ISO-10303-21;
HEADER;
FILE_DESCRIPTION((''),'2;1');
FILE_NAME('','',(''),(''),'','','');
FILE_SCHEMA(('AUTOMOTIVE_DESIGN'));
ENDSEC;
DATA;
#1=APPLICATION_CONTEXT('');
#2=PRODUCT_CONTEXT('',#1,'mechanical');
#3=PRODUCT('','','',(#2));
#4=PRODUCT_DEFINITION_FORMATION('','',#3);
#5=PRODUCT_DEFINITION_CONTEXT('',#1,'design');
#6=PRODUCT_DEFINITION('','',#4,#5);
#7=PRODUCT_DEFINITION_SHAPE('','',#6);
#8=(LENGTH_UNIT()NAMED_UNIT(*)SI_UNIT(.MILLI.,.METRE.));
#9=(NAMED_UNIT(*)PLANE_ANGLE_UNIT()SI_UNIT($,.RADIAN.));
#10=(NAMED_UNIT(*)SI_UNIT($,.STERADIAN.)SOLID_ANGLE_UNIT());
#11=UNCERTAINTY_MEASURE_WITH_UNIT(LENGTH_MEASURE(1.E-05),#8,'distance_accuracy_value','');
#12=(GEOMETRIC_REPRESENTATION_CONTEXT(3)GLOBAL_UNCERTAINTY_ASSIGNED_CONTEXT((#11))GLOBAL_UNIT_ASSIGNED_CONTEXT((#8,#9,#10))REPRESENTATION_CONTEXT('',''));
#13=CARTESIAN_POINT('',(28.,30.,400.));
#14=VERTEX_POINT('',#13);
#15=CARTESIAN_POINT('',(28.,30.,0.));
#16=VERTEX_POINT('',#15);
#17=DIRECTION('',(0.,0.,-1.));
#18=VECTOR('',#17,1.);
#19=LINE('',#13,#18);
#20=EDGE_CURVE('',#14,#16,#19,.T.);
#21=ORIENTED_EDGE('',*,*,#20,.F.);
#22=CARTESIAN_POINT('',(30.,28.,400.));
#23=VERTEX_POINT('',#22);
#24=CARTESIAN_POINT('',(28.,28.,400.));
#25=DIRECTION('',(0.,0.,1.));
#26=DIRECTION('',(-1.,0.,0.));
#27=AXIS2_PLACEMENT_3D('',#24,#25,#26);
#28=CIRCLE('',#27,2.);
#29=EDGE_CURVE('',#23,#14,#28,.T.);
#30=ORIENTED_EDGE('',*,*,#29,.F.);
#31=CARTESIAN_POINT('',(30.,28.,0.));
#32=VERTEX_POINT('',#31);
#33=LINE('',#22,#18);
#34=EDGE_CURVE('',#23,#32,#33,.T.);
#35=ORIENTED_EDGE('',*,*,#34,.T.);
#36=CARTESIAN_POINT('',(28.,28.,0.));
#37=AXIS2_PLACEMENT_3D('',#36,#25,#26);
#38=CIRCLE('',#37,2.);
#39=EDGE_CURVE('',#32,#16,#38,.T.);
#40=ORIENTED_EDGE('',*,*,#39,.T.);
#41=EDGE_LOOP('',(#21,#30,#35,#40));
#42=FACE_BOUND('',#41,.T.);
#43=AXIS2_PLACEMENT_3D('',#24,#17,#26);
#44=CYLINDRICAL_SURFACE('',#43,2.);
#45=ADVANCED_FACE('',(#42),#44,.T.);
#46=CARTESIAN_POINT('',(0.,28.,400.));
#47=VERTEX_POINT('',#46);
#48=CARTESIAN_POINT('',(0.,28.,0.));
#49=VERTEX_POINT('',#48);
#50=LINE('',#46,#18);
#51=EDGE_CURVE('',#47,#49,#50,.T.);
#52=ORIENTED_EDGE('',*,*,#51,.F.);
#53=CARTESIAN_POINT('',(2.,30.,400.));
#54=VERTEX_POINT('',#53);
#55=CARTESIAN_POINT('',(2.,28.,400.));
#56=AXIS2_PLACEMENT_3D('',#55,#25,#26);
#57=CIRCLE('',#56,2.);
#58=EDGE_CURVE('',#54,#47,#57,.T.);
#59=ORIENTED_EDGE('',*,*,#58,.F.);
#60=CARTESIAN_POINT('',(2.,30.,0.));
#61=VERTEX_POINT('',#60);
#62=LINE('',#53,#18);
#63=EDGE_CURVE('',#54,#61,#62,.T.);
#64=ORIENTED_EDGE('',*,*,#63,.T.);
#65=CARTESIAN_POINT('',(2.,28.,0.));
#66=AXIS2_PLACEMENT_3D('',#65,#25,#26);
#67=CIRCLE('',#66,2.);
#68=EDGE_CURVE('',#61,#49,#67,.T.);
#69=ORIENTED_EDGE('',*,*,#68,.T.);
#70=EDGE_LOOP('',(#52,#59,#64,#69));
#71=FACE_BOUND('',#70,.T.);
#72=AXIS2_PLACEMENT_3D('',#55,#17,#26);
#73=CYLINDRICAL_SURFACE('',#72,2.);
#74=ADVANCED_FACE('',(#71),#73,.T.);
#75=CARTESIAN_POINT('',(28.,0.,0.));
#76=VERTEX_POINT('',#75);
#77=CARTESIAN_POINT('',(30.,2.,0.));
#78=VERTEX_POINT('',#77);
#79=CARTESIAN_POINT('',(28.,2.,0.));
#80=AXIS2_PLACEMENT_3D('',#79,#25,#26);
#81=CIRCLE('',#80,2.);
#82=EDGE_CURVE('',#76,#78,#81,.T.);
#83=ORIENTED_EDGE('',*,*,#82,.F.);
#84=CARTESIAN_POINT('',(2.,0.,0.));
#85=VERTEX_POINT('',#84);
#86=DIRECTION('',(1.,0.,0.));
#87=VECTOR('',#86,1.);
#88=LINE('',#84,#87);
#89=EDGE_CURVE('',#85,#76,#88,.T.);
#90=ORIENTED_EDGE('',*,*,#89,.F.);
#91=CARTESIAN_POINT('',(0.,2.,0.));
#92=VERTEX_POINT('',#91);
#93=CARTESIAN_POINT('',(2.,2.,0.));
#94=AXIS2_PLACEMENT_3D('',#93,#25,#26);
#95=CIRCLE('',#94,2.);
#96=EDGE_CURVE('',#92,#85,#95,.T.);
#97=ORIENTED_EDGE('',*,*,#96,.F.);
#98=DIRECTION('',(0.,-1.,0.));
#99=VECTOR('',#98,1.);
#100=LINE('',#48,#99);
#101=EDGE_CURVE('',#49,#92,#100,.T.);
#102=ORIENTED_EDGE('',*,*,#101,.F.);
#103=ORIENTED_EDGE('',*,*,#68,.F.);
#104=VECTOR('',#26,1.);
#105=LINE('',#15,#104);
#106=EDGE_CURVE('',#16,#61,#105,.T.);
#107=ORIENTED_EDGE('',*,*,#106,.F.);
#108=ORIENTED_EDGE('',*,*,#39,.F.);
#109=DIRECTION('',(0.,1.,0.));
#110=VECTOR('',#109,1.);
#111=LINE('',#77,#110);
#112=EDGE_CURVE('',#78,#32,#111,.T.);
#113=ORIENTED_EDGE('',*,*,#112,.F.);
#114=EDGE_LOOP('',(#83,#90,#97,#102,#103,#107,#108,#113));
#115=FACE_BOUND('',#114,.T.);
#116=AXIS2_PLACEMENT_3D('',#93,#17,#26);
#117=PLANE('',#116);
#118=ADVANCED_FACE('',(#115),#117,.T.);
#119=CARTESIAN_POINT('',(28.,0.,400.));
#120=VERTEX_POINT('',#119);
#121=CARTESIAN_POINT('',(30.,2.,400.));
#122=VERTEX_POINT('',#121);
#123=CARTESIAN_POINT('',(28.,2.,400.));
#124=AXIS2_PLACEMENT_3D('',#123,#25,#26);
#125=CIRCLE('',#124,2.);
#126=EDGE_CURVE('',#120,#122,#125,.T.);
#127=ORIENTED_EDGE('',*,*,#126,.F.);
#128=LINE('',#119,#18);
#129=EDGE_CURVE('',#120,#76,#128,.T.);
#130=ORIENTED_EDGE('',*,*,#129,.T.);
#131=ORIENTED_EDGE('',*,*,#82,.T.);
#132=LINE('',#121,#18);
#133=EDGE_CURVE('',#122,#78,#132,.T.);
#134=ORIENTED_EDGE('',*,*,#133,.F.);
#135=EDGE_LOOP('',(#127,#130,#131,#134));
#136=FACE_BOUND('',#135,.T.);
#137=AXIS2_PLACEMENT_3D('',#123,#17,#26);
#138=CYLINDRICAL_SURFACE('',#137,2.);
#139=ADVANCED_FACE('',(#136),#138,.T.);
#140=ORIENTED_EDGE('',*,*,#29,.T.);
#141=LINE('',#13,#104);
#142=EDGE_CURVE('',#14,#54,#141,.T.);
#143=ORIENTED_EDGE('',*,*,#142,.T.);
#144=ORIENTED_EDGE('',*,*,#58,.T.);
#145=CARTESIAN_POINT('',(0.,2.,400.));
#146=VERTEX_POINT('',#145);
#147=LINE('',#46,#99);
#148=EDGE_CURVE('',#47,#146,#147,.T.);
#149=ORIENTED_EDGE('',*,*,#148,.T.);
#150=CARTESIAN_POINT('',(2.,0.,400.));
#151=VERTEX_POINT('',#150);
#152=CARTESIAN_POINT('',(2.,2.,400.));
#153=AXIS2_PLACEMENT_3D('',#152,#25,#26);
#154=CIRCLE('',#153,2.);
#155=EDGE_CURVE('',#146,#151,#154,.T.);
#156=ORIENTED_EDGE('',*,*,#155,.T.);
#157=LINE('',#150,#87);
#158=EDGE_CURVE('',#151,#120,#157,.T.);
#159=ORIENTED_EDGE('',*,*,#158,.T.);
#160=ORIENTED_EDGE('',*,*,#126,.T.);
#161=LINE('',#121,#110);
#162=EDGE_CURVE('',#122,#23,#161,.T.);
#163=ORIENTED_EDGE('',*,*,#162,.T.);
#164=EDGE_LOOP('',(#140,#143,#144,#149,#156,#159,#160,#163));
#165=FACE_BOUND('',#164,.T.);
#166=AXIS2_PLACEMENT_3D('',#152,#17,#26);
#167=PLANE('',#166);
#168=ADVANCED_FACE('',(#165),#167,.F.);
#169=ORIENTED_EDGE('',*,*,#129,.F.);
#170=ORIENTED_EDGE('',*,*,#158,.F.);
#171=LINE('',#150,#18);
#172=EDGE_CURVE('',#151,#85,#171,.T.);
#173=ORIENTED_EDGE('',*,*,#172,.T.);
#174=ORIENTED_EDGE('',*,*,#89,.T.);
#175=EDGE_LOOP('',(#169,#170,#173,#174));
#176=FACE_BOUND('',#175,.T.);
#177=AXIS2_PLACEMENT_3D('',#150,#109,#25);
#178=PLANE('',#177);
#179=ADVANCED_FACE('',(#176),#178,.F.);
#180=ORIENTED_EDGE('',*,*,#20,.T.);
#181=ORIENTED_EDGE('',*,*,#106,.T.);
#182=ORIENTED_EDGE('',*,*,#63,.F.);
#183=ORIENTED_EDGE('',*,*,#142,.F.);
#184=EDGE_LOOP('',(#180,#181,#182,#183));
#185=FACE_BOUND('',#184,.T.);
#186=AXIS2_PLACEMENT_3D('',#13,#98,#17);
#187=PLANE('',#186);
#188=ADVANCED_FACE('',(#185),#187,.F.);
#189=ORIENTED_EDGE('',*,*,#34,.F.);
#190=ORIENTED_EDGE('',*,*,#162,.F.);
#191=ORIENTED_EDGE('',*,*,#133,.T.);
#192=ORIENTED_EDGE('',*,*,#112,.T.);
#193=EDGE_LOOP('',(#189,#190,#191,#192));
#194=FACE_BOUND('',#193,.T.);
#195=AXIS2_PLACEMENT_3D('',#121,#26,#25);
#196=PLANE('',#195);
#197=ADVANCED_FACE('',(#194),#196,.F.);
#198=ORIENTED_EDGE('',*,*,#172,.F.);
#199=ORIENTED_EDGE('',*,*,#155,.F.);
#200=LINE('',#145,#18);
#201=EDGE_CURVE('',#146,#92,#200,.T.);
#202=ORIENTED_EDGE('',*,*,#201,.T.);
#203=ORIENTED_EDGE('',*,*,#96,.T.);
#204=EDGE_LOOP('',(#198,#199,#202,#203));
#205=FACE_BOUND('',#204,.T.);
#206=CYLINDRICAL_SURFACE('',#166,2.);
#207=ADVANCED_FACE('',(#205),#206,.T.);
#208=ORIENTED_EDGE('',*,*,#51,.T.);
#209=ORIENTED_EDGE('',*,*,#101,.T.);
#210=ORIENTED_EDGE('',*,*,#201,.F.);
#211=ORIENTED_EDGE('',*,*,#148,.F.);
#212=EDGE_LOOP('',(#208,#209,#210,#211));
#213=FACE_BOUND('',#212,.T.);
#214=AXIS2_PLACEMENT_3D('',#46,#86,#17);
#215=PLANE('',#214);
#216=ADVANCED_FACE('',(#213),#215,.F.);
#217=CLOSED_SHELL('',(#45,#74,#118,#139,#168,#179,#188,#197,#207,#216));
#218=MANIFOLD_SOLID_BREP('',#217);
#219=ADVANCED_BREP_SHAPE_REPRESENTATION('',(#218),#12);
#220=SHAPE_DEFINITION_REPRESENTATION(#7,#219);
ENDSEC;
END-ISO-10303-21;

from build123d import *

# Parameters (mm, degrees)
BOSS_EXTRUDE1_DEPTH = 400


with BuildPart() as part:
    # Sketch3 → Boss-Extrude1 (new body)
    with BuildSketch(Plane.XY):
        with BuildLine():
            Line((2, 0), (28, 0))
            ThreePointArc((28, 0), (29.414213562, 0.585786438), (30, 2))
            Line((30, 2), (30, 28))
            ThreePointArc((30, 28), (29.414213562, 29.414213562), (28, 30))
            Line((28, 30), (2, 30))
            ThreePointArc((2, 30), (0.585786438, 29.414213562), (0, 28))
            Line((0, 28), (0, 2))
            ThreePointArc((0, 2), (0.585786438, 0.585786438), (2, 0))
        make_face()
    extrude(amount=BOSS_EXTRUDE1_DEPTH)


solid = part.part
